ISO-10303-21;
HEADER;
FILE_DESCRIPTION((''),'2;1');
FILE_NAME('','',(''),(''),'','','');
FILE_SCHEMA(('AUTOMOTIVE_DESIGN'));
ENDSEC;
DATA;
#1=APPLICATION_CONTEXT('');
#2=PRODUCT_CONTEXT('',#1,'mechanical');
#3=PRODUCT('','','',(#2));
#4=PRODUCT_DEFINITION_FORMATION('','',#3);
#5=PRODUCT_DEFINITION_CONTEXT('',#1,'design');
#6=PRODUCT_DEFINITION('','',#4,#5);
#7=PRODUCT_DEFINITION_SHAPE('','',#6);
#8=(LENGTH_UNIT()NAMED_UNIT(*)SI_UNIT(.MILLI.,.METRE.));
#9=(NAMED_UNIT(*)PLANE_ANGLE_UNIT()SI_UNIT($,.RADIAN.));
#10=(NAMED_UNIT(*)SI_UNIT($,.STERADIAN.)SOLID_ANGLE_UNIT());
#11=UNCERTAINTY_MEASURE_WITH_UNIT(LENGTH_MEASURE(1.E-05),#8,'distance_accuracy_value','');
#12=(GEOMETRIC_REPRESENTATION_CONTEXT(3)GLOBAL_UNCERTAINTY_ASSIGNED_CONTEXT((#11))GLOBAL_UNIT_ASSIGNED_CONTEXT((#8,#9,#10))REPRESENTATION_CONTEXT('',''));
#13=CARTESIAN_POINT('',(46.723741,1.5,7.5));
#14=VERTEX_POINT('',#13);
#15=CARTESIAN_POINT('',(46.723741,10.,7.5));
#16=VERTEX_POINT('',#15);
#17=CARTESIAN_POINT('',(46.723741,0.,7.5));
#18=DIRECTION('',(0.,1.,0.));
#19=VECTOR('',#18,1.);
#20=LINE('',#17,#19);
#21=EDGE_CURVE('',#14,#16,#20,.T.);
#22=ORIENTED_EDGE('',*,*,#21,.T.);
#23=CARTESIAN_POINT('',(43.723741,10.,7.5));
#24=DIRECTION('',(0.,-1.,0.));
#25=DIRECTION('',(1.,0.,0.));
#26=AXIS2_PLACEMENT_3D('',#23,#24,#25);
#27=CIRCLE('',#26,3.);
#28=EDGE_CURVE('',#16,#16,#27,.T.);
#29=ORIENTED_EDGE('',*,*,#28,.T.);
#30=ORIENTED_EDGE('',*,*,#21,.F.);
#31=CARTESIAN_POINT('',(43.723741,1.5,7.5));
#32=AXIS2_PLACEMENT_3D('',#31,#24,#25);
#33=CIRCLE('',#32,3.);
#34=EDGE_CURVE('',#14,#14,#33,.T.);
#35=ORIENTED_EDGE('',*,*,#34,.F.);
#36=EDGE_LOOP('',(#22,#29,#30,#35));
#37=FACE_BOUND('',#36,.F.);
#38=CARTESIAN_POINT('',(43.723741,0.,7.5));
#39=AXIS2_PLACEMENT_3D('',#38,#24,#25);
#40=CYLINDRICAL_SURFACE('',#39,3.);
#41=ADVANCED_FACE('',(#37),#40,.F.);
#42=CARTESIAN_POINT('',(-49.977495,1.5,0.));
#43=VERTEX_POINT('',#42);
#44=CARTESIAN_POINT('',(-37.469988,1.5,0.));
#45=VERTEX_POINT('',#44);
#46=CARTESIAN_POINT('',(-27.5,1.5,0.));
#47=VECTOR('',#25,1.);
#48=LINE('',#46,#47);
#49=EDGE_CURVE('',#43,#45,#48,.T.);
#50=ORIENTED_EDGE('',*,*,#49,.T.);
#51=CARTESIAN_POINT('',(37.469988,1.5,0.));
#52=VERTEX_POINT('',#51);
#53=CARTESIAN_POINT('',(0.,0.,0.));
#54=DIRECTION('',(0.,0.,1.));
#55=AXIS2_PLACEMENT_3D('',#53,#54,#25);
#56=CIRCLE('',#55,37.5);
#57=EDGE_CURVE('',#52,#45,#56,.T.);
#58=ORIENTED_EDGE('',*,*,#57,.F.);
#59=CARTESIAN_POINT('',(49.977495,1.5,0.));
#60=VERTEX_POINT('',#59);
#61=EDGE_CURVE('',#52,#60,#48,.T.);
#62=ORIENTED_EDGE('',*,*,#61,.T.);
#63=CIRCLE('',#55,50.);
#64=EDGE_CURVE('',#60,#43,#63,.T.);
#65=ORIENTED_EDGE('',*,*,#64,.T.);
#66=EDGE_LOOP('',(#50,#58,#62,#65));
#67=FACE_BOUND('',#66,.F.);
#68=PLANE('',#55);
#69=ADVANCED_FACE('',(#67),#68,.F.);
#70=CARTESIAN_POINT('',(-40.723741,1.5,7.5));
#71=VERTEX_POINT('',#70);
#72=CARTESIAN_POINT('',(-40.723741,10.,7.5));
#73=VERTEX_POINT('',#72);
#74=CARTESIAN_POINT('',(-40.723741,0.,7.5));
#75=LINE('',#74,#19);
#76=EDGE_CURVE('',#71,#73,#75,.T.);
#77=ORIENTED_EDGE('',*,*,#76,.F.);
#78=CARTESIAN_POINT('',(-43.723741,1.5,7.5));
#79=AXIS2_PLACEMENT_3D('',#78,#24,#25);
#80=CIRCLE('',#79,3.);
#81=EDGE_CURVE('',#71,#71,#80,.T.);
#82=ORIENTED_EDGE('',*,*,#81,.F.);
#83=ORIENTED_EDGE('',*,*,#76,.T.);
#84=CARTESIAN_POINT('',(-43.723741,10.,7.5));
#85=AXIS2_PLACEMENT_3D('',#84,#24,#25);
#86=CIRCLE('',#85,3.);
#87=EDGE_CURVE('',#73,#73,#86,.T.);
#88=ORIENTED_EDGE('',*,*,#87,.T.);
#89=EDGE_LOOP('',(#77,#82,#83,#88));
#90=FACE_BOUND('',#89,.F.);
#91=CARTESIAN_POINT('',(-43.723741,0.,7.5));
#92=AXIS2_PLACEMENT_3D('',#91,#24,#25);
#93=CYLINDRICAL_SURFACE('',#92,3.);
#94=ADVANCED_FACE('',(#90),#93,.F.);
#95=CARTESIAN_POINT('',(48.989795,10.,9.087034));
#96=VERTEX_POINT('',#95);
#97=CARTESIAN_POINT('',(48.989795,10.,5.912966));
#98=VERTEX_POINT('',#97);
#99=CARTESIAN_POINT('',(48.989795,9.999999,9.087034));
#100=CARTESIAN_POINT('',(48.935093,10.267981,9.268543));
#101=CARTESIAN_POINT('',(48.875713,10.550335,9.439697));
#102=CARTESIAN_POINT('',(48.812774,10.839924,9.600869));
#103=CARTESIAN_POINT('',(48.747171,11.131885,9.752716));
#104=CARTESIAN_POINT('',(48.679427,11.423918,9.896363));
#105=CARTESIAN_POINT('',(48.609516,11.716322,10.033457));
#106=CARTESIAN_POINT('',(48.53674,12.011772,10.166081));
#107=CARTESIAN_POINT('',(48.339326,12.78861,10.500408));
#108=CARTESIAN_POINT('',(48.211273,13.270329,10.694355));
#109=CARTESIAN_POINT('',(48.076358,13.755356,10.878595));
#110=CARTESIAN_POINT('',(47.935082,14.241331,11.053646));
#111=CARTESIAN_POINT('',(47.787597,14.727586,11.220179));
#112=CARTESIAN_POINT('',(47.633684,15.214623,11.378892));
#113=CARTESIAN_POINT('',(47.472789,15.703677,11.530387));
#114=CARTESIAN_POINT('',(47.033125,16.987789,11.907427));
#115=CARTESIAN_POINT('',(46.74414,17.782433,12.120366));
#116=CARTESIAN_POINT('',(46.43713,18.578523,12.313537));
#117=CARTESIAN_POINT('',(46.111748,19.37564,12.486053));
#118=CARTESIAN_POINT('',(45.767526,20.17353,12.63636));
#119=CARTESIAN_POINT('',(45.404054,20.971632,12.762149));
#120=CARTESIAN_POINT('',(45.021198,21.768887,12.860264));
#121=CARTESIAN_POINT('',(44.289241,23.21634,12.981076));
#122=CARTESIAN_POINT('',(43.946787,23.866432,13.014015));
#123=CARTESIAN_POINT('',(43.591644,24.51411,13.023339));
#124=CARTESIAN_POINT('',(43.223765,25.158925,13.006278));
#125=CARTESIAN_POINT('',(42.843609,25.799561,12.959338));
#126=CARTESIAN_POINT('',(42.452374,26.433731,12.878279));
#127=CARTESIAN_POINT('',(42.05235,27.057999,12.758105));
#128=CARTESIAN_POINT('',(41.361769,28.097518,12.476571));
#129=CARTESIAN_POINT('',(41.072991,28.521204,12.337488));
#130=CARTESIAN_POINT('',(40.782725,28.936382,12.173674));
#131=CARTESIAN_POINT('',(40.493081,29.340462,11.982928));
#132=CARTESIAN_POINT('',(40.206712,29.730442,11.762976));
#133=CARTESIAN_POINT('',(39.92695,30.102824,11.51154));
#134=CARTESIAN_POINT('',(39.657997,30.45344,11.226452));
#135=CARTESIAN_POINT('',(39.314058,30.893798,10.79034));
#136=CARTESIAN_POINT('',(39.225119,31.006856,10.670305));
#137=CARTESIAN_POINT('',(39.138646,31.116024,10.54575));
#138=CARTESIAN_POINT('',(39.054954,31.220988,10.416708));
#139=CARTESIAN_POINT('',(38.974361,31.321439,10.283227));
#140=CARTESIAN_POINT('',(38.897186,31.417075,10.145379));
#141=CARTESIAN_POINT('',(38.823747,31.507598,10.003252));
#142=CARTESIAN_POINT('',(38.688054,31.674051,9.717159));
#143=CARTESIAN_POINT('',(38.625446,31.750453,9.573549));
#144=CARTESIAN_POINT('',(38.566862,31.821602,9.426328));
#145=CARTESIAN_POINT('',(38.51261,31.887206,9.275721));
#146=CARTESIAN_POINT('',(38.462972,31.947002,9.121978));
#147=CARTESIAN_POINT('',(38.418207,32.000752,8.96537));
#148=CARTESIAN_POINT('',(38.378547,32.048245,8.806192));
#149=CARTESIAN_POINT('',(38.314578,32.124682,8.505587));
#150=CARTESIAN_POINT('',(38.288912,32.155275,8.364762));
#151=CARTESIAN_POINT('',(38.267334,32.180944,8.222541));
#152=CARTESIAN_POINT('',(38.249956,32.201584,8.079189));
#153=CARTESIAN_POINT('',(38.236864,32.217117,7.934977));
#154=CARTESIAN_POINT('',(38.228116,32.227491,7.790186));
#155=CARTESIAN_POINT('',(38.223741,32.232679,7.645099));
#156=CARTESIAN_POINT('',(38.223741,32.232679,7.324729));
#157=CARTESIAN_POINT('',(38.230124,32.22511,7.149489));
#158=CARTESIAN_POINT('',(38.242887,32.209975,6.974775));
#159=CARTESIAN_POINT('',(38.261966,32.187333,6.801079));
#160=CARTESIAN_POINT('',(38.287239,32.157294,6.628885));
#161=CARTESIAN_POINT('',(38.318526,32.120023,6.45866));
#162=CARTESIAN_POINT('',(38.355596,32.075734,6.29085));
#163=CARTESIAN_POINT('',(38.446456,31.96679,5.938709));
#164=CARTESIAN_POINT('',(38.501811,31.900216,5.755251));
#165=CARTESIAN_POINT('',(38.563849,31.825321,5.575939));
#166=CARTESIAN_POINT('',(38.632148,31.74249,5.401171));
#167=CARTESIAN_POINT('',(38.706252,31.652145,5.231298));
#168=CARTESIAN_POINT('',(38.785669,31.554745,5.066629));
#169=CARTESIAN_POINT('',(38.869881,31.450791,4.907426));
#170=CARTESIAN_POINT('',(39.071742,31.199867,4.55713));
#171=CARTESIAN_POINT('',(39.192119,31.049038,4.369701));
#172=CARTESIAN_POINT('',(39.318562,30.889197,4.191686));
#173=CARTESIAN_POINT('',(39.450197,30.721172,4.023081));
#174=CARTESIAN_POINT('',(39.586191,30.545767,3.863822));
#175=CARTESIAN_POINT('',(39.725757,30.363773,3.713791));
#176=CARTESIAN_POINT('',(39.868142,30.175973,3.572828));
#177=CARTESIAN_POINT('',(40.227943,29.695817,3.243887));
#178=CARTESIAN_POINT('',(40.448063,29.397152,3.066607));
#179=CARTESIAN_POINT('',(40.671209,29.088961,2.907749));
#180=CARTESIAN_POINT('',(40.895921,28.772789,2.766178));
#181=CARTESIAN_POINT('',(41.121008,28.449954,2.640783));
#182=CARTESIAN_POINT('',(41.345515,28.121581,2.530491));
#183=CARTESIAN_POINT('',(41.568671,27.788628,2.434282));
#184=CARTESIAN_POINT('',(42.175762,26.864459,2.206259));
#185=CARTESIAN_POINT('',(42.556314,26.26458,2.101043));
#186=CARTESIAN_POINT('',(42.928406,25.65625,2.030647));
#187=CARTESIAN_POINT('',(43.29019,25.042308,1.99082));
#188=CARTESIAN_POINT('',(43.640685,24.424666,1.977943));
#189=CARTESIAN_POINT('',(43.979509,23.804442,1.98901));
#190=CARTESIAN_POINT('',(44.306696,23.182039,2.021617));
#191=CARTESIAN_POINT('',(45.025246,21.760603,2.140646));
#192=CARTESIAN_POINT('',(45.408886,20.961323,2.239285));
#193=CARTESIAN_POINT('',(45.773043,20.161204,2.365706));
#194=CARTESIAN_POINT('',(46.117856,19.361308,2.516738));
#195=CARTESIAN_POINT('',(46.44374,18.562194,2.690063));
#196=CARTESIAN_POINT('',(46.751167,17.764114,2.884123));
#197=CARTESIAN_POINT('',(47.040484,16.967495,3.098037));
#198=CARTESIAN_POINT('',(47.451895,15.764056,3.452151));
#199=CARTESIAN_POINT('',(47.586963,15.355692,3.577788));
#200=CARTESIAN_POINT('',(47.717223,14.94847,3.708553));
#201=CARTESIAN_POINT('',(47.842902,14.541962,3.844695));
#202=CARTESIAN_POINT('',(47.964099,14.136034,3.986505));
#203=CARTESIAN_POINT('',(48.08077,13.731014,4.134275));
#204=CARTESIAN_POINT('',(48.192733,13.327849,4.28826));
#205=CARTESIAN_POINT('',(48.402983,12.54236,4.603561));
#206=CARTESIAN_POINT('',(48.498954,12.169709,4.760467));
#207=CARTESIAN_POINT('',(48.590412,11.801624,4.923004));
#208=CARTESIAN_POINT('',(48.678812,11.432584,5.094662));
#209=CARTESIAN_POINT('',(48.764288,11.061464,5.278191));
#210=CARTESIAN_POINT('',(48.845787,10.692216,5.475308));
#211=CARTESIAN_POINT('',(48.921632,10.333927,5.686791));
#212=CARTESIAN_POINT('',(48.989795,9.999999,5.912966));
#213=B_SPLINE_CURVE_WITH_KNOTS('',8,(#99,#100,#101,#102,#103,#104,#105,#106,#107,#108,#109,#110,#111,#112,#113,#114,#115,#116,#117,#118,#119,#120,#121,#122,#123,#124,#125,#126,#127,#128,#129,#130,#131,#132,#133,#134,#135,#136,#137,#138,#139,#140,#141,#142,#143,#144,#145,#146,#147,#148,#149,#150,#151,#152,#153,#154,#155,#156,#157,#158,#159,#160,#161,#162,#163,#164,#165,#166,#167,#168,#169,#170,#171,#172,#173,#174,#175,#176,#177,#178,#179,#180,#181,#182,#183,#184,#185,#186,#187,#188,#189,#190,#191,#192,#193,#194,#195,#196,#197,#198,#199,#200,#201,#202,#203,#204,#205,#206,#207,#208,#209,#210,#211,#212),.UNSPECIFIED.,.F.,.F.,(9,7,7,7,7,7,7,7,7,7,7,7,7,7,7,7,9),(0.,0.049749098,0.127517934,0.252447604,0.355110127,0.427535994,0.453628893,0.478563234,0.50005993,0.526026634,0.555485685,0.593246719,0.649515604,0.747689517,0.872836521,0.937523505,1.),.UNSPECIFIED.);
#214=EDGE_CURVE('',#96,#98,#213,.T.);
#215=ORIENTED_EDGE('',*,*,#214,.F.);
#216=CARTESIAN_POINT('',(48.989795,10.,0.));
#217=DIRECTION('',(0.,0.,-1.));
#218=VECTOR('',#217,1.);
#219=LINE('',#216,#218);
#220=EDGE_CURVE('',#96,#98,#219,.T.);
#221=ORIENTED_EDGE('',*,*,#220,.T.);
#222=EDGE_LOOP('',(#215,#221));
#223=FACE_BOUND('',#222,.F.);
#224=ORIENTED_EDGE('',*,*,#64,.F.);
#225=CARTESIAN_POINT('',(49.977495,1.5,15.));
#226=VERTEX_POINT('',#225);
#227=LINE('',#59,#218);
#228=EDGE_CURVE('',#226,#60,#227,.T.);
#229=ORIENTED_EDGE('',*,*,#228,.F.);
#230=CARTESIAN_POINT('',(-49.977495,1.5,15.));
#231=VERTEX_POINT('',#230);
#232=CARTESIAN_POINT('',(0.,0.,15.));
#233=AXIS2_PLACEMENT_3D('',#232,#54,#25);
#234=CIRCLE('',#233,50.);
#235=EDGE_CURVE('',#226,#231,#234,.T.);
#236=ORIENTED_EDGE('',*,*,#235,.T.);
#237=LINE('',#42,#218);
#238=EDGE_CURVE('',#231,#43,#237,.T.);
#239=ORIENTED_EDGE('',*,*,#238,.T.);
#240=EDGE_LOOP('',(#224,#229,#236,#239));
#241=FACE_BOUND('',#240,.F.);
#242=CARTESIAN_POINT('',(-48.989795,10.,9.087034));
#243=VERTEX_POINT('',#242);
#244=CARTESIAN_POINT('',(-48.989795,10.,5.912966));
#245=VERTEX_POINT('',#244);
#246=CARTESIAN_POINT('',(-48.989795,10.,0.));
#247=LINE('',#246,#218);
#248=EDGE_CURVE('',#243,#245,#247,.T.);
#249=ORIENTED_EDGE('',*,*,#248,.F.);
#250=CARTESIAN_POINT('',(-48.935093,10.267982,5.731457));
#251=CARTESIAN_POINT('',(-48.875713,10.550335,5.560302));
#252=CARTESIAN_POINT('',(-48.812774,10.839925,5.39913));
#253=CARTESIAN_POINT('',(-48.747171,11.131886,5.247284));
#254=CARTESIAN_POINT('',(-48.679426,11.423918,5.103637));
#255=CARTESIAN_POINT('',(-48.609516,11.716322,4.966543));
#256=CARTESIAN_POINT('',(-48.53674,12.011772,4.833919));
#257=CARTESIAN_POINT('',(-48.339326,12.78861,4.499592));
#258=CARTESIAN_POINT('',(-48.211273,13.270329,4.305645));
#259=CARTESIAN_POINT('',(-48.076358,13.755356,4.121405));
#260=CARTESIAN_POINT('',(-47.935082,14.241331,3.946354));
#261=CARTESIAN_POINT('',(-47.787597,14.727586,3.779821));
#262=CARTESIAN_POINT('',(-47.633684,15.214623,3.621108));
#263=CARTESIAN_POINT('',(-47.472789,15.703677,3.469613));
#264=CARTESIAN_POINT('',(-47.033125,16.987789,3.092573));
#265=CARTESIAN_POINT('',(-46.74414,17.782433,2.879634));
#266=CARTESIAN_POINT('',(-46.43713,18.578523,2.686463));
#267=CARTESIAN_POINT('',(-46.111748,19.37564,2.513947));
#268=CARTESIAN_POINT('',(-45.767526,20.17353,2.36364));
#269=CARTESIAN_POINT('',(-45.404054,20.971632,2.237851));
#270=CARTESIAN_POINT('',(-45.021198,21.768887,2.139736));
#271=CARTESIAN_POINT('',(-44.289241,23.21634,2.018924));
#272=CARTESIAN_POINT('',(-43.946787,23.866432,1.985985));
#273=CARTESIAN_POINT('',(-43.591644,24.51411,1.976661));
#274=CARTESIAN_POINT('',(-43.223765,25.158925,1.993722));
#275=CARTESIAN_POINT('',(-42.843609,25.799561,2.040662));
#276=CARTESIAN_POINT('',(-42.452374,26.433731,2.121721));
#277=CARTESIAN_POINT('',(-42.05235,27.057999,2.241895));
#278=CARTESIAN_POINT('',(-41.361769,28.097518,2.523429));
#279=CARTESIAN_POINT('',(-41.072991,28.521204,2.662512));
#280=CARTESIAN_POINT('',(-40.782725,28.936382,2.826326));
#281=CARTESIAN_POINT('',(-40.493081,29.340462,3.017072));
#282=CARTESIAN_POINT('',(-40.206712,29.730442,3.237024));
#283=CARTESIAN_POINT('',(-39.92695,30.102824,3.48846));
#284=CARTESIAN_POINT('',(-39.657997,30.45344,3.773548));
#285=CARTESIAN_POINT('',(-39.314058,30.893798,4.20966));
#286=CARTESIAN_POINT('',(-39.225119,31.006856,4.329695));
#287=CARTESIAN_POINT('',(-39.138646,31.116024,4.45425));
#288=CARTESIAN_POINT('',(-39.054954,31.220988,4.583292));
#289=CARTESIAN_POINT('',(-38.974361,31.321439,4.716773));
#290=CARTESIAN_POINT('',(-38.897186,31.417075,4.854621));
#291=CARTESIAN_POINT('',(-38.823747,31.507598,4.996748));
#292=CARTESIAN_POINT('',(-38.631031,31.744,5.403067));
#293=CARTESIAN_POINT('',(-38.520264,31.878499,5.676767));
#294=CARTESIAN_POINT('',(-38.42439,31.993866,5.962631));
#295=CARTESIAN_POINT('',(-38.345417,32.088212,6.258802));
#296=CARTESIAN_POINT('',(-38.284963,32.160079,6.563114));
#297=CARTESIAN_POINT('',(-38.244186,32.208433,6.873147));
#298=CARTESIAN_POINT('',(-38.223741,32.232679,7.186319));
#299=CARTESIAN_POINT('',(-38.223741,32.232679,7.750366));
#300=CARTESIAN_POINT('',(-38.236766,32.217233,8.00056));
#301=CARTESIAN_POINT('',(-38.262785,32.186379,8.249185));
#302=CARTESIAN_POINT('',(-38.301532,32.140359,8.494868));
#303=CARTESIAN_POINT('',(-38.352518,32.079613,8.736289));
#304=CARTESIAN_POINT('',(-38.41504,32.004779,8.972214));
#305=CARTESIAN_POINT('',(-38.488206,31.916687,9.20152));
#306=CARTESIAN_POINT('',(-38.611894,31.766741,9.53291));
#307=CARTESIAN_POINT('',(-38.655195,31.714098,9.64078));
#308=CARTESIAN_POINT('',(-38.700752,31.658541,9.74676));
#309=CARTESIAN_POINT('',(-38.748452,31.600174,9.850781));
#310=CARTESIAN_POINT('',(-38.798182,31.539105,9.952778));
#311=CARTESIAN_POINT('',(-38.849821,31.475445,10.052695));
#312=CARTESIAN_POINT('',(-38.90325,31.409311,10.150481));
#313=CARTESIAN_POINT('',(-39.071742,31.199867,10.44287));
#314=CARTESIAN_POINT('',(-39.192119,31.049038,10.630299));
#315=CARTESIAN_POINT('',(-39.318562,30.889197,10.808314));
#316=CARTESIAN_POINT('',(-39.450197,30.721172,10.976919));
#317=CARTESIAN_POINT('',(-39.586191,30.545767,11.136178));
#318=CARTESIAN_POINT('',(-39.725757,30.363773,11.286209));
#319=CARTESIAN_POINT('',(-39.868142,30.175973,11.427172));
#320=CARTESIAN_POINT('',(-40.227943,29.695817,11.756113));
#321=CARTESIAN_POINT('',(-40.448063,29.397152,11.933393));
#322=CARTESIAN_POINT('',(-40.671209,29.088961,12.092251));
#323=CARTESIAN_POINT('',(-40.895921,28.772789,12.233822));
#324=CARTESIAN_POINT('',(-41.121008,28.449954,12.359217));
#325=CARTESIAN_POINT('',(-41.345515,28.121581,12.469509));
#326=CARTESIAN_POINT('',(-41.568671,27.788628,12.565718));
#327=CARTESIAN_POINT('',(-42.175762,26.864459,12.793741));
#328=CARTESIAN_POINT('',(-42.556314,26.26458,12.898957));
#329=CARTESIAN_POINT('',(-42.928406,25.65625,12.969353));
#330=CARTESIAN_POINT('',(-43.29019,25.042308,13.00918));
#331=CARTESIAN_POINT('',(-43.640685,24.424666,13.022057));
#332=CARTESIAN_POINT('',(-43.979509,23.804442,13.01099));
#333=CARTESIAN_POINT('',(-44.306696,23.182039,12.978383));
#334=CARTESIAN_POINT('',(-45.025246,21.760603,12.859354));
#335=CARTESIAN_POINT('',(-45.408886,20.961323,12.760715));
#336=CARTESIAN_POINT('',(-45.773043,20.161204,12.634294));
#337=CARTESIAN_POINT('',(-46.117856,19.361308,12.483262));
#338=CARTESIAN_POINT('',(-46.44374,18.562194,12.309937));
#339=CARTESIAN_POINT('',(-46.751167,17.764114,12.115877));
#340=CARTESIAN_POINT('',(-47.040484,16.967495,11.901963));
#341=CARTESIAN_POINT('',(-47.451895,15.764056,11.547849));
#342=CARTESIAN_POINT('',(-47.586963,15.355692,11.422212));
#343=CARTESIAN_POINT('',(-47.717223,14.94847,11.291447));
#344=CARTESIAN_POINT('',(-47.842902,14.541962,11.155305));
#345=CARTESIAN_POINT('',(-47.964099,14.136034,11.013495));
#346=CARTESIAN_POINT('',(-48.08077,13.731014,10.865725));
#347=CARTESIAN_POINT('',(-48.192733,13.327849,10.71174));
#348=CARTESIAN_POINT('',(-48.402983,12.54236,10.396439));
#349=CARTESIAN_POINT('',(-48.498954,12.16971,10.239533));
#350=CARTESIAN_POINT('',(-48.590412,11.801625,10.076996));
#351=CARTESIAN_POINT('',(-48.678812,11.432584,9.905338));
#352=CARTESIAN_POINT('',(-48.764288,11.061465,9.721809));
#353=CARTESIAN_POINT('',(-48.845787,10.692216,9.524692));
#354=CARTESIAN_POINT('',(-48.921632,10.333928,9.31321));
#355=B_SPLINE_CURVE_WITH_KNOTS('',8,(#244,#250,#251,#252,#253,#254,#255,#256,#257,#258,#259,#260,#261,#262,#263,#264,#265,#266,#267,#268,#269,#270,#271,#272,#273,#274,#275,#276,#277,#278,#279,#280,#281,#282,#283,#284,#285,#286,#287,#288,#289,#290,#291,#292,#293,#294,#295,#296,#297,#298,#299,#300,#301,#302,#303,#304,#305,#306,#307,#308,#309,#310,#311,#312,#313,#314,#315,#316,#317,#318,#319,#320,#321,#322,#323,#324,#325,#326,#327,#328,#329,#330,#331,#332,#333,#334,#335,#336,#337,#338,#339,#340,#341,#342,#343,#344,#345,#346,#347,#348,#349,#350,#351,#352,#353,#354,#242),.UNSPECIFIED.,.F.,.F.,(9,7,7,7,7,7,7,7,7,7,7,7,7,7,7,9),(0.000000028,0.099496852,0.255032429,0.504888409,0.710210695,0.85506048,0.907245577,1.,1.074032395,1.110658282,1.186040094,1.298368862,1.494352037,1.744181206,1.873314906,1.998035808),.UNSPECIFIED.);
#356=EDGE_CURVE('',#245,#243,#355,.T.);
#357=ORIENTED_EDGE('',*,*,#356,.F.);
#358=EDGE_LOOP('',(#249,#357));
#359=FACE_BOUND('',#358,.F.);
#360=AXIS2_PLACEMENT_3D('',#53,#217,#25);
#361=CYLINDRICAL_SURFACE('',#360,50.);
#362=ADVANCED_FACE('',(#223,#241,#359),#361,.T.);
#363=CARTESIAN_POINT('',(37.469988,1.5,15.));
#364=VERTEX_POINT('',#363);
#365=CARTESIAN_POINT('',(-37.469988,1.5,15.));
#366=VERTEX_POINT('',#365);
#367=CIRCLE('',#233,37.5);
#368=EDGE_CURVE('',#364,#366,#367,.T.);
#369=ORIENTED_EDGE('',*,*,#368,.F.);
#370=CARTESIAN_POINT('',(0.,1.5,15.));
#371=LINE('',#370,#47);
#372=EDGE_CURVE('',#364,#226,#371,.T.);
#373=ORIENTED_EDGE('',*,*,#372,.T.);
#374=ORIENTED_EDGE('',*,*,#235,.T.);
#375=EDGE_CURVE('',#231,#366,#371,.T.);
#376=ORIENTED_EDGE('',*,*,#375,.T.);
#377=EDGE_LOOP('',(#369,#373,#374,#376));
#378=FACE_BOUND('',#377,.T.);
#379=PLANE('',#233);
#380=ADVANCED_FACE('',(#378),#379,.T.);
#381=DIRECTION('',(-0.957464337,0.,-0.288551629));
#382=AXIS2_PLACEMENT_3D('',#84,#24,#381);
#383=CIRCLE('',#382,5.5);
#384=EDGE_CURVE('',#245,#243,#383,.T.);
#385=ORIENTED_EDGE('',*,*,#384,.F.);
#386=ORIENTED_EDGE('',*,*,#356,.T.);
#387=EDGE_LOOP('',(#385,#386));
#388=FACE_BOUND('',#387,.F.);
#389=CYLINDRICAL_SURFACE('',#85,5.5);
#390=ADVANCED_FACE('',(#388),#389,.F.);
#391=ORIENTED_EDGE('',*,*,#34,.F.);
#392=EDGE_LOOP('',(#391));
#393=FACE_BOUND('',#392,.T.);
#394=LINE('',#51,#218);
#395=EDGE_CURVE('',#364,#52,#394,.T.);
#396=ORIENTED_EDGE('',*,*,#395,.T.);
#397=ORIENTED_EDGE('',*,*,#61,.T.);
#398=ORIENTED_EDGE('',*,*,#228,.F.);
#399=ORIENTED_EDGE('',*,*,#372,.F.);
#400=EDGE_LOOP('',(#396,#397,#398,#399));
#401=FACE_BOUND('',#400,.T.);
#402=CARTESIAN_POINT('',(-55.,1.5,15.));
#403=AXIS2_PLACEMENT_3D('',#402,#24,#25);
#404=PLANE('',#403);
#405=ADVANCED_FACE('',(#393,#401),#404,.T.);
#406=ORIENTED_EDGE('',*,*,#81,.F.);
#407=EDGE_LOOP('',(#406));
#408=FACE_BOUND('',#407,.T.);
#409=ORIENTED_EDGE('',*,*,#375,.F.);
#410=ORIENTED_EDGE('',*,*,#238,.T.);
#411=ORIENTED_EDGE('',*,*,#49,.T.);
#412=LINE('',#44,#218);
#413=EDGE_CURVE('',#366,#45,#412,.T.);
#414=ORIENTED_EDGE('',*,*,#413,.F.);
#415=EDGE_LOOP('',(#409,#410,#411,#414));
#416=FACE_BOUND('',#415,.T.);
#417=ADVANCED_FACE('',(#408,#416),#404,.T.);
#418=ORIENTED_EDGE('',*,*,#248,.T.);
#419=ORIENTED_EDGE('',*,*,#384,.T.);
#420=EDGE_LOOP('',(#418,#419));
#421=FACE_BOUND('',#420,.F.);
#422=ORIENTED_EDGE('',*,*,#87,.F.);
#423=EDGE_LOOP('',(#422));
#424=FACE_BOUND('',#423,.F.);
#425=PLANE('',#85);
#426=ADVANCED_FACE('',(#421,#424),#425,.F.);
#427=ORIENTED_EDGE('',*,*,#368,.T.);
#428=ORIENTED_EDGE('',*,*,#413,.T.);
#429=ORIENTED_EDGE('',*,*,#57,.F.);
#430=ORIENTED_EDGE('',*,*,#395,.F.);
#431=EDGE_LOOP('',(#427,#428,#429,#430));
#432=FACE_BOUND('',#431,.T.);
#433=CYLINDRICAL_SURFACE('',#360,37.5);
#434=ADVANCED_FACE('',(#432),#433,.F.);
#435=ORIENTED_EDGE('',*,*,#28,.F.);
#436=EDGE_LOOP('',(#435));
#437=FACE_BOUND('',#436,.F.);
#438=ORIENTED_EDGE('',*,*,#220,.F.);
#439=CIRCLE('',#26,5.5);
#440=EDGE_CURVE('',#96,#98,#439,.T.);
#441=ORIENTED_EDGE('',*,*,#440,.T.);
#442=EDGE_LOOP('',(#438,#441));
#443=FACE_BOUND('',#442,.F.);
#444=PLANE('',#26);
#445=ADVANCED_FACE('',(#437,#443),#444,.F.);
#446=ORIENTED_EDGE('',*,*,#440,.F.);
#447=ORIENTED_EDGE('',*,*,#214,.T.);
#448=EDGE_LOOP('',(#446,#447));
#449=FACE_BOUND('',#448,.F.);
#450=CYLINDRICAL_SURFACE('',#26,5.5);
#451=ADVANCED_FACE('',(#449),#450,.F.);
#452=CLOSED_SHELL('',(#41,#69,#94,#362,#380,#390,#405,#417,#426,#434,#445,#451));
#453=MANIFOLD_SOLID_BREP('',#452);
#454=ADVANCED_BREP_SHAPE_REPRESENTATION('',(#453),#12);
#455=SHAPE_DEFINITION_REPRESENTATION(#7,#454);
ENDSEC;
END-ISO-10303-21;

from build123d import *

# Parameters (mm, degrees)
F0_R     = 50
F0_R_2   = 37.5
F1_DEPTH = 15
F2_W     = 110
F2_H     = 64.89666
F3_DEPTH = 15.001
F4_R     = 3
F5_DEPTH = 50.001
F7_R     = 5.5
F8_DEPTH = 25


with BuildPart() as f1:
    # F0 (on Top) → F1 (new body)
    with BuildSketch(Plane.XY):
        Circle(F0_R)
        Circle(F0_R_2, mode=Mode.SUBTRACT)
    extrude(amount=F1_DEPTH)

    # F2 (on face) → F3 (cut, through all)
    with BuildSketch(Plane.XY.offset(15)):
        with Locations((0, -30.94833)):
            Rectangle(F2_W, F2_H)
    extrude(amount=-F3_DEPTH, mode=Mode.SUBTRACT)

    # F4 (on Front) → F5 (cut, through all)
    with BuildSketch(Plane.XZ):
        with Locations((-43.723741, 7.5)):
            Circle(F4_R)
        with Locations((43.723741, 7.5)):
            Circle(F4_R)
    extrude(amount=-F5_DEPTH, mode=Mode.SUBTRACT)

    # F7 (on offset) → F8 (cut)
    with BuildSketch(Plane.XZ.offset(-10)):
        with Locations((43.723741, 7.5)):
            Circle(F7_R)
        with Locations((-43.723741, 7.5)):
            Circle(F7_R)
    extrude(amount=-F8_DEPTH, mode=Mode.SUBTRACT)


solid = f1.part
